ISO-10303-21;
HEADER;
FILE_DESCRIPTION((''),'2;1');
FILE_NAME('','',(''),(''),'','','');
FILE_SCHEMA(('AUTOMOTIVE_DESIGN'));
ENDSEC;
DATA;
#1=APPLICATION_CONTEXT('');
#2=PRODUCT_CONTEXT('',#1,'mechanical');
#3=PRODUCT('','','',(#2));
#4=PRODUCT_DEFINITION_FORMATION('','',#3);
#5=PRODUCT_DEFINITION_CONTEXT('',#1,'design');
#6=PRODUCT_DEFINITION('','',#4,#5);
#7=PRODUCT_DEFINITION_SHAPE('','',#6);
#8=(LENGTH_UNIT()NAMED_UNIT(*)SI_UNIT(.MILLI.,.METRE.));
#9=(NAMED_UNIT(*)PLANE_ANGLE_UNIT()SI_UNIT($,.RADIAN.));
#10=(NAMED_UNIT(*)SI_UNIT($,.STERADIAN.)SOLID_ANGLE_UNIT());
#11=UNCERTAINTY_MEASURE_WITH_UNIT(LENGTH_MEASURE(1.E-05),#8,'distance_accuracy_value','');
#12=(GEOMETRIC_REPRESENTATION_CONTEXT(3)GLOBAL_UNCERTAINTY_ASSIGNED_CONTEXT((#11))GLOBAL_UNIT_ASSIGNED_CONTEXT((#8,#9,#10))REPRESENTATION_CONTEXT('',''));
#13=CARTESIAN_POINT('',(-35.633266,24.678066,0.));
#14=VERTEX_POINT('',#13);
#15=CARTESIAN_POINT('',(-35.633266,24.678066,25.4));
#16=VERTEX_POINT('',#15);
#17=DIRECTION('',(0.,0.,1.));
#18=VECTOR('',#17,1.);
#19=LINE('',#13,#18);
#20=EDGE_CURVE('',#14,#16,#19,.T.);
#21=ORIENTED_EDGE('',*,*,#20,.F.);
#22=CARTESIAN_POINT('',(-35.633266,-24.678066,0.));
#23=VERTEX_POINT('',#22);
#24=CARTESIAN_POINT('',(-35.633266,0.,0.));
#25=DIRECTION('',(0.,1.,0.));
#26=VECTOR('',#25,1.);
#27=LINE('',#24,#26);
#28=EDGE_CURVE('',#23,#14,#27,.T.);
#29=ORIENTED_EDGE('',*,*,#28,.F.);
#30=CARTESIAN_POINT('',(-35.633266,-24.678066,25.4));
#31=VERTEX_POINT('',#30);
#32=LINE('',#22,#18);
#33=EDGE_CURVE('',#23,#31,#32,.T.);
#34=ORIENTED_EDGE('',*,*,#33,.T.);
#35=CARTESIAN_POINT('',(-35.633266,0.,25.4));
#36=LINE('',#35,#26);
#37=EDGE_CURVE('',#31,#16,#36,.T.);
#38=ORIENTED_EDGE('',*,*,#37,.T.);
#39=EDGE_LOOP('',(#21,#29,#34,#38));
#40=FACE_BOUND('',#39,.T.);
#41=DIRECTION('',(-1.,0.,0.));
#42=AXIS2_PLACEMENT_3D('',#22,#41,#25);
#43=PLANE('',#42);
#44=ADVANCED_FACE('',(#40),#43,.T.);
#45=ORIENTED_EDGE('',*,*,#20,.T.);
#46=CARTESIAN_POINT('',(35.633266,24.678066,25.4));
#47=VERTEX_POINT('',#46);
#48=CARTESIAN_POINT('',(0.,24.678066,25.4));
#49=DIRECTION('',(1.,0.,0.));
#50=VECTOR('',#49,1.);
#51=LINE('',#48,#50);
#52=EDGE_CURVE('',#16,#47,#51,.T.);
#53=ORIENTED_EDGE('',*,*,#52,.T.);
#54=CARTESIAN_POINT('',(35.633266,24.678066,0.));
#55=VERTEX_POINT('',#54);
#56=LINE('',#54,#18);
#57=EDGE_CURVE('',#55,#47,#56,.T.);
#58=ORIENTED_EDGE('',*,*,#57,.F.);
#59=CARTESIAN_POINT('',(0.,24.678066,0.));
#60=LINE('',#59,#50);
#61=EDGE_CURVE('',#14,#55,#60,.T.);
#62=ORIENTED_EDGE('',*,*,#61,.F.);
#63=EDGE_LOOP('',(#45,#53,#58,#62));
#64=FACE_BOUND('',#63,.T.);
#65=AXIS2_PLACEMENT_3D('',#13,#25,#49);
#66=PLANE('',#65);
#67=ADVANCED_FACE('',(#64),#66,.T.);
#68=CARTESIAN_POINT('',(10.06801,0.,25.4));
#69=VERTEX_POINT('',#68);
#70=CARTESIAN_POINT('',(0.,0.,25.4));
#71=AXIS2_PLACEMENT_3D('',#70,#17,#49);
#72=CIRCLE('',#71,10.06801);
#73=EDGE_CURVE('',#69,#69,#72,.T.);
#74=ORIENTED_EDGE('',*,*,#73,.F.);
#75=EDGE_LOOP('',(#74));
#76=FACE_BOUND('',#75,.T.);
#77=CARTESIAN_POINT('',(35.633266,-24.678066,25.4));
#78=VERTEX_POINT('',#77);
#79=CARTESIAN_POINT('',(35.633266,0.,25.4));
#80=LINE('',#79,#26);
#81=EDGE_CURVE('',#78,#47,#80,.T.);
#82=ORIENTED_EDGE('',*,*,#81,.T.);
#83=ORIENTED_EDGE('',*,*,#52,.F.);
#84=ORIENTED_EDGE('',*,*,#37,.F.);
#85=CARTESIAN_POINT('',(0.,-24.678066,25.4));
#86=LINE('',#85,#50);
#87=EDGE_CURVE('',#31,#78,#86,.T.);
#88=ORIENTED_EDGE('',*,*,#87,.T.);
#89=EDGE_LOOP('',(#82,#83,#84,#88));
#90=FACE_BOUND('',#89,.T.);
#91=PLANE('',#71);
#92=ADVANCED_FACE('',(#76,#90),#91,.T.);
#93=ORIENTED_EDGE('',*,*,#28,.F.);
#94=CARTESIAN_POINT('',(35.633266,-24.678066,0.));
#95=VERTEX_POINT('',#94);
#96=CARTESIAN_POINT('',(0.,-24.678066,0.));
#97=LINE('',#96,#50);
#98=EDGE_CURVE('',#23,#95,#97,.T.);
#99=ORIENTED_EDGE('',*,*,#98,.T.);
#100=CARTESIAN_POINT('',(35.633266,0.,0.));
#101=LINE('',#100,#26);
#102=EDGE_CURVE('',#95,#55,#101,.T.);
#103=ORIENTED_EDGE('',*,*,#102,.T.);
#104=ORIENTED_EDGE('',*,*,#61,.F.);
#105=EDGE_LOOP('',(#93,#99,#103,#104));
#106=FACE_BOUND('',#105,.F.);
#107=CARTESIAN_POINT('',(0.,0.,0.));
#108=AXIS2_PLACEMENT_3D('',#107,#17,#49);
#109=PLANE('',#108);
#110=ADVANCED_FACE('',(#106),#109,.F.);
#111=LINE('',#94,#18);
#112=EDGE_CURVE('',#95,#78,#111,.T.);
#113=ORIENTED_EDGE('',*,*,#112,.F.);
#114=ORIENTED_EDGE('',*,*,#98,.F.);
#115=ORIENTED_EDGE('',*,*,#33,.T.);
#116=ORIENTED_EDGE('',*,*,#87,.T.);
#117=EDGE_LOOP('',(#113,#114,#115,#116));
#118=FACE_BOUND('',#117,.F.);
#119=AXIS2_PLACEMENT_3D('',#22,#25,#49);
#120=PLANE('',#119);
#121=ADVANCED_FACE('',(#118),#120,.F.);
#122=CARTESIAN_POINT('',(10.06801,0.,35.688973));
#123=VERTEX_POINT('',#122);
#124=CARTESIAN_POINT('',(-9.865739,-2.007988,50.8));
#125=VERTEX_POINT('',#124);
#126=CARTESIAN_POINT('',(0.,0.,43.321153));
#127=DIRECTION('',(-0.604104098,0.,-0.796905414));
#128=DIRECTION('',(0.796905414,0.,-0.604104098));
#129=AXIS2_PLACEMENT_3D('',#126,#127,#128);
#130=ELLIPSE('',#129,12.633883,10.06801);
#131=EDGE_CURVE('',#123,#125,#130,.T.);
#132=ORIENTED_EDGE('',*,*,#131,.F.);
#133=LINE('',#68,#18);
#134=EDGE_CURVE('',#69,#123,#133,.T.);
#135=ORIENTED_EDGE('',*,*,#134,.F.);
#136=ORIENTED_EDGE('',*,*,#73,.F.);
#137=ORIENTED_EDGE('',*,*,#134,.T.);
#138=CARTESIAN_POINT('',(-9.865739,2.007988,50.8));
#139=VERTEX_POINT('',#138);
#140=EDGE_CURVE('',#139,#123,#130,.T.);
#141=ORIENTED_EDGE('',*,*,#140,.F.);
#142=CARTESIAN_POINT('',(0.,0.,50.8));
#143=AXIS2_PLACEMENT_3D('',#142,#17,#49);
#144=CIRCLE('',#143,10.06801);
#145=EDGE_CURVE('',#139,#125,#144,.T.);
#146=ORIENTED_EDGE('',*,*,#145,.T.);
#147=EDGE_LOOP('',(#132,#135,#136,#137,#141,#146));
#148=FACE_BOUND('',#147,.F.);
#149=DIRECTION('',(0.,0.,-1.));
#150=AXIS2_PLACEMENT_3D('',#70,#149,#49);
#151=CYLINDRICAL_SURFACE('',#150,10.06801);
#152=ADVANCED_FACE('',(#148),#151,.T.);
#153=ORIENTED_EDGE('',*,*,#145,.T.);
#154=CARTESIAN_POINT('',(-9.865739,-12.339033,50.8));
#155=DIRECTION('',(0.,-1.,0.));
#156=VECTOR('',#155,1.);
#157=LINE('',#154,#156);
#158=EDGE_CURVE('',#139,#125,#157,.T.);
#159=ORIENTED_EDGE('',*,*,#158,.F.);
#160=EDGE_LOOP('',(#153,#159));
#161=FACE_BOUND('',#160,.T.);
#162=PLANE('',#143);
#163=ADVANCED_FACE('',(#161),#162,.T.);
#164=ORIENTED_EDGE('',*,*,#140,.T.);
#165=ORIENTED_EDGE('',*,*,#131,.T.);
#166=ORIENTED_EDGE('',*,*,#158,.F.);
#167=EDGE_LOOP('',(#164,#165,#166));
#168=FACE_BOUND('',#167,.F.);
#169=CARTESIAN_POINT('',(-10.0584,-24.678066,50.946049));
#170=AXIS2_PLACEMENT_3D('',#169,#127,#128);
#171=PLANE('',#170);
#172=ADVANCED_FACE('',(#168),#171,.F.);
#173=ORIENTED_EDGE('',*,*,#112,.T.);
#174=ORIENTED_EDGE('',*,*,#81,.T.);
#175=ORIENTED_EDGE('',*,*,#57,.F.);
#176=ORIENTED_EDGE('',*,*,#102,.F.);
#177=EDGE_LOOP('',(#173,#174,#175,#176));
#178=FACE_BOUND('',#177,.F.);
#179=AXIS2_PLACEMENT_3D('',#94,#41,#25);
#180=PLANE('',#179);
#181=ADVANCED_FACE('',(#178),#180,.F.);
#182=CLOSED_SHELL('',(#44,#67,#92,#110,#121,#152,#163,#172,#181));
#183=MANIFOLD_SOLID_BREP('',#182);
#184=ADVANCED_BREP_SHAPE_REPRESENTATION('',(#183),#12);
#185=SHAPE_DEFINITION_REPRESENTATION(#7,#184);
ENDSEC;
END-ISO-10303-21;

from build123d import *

# Parameters (mm, degrees)
F0_W     = 71.266532
F0_H     = 49.356132
F1_DEPTH = 25.4
F2_R     = 10.06801
F3_DEPTH = 25.4
F5_DEPTH = 46.228


with BuildPart() as f1:
    # F0 (on Top) → F1 (new body)
    with BuildSketch(Plane.XY):
        Rectangle(F0_W, F0_H)
    extrude(amount=F1_DEPTH)

    # F2 (on face) → F3 (join)
    with BuildSketch(Plane.XY.offset(25.4)):
        Circle(F2_R)
    extrude(amount=F3_DEPTH)

    # F4 (on face) → F5 (cut)
    with BuildSketch(Plane.XZ.offset(24.678066)):
        Polygon((15.782516, 50.946049), (-10.0584, 50.946049), (15.782516, 31.35702), align=None)
    extrude(amount=-F5_DEPTH, mode=Mode.SUBTRACT)


solid = f1.part
